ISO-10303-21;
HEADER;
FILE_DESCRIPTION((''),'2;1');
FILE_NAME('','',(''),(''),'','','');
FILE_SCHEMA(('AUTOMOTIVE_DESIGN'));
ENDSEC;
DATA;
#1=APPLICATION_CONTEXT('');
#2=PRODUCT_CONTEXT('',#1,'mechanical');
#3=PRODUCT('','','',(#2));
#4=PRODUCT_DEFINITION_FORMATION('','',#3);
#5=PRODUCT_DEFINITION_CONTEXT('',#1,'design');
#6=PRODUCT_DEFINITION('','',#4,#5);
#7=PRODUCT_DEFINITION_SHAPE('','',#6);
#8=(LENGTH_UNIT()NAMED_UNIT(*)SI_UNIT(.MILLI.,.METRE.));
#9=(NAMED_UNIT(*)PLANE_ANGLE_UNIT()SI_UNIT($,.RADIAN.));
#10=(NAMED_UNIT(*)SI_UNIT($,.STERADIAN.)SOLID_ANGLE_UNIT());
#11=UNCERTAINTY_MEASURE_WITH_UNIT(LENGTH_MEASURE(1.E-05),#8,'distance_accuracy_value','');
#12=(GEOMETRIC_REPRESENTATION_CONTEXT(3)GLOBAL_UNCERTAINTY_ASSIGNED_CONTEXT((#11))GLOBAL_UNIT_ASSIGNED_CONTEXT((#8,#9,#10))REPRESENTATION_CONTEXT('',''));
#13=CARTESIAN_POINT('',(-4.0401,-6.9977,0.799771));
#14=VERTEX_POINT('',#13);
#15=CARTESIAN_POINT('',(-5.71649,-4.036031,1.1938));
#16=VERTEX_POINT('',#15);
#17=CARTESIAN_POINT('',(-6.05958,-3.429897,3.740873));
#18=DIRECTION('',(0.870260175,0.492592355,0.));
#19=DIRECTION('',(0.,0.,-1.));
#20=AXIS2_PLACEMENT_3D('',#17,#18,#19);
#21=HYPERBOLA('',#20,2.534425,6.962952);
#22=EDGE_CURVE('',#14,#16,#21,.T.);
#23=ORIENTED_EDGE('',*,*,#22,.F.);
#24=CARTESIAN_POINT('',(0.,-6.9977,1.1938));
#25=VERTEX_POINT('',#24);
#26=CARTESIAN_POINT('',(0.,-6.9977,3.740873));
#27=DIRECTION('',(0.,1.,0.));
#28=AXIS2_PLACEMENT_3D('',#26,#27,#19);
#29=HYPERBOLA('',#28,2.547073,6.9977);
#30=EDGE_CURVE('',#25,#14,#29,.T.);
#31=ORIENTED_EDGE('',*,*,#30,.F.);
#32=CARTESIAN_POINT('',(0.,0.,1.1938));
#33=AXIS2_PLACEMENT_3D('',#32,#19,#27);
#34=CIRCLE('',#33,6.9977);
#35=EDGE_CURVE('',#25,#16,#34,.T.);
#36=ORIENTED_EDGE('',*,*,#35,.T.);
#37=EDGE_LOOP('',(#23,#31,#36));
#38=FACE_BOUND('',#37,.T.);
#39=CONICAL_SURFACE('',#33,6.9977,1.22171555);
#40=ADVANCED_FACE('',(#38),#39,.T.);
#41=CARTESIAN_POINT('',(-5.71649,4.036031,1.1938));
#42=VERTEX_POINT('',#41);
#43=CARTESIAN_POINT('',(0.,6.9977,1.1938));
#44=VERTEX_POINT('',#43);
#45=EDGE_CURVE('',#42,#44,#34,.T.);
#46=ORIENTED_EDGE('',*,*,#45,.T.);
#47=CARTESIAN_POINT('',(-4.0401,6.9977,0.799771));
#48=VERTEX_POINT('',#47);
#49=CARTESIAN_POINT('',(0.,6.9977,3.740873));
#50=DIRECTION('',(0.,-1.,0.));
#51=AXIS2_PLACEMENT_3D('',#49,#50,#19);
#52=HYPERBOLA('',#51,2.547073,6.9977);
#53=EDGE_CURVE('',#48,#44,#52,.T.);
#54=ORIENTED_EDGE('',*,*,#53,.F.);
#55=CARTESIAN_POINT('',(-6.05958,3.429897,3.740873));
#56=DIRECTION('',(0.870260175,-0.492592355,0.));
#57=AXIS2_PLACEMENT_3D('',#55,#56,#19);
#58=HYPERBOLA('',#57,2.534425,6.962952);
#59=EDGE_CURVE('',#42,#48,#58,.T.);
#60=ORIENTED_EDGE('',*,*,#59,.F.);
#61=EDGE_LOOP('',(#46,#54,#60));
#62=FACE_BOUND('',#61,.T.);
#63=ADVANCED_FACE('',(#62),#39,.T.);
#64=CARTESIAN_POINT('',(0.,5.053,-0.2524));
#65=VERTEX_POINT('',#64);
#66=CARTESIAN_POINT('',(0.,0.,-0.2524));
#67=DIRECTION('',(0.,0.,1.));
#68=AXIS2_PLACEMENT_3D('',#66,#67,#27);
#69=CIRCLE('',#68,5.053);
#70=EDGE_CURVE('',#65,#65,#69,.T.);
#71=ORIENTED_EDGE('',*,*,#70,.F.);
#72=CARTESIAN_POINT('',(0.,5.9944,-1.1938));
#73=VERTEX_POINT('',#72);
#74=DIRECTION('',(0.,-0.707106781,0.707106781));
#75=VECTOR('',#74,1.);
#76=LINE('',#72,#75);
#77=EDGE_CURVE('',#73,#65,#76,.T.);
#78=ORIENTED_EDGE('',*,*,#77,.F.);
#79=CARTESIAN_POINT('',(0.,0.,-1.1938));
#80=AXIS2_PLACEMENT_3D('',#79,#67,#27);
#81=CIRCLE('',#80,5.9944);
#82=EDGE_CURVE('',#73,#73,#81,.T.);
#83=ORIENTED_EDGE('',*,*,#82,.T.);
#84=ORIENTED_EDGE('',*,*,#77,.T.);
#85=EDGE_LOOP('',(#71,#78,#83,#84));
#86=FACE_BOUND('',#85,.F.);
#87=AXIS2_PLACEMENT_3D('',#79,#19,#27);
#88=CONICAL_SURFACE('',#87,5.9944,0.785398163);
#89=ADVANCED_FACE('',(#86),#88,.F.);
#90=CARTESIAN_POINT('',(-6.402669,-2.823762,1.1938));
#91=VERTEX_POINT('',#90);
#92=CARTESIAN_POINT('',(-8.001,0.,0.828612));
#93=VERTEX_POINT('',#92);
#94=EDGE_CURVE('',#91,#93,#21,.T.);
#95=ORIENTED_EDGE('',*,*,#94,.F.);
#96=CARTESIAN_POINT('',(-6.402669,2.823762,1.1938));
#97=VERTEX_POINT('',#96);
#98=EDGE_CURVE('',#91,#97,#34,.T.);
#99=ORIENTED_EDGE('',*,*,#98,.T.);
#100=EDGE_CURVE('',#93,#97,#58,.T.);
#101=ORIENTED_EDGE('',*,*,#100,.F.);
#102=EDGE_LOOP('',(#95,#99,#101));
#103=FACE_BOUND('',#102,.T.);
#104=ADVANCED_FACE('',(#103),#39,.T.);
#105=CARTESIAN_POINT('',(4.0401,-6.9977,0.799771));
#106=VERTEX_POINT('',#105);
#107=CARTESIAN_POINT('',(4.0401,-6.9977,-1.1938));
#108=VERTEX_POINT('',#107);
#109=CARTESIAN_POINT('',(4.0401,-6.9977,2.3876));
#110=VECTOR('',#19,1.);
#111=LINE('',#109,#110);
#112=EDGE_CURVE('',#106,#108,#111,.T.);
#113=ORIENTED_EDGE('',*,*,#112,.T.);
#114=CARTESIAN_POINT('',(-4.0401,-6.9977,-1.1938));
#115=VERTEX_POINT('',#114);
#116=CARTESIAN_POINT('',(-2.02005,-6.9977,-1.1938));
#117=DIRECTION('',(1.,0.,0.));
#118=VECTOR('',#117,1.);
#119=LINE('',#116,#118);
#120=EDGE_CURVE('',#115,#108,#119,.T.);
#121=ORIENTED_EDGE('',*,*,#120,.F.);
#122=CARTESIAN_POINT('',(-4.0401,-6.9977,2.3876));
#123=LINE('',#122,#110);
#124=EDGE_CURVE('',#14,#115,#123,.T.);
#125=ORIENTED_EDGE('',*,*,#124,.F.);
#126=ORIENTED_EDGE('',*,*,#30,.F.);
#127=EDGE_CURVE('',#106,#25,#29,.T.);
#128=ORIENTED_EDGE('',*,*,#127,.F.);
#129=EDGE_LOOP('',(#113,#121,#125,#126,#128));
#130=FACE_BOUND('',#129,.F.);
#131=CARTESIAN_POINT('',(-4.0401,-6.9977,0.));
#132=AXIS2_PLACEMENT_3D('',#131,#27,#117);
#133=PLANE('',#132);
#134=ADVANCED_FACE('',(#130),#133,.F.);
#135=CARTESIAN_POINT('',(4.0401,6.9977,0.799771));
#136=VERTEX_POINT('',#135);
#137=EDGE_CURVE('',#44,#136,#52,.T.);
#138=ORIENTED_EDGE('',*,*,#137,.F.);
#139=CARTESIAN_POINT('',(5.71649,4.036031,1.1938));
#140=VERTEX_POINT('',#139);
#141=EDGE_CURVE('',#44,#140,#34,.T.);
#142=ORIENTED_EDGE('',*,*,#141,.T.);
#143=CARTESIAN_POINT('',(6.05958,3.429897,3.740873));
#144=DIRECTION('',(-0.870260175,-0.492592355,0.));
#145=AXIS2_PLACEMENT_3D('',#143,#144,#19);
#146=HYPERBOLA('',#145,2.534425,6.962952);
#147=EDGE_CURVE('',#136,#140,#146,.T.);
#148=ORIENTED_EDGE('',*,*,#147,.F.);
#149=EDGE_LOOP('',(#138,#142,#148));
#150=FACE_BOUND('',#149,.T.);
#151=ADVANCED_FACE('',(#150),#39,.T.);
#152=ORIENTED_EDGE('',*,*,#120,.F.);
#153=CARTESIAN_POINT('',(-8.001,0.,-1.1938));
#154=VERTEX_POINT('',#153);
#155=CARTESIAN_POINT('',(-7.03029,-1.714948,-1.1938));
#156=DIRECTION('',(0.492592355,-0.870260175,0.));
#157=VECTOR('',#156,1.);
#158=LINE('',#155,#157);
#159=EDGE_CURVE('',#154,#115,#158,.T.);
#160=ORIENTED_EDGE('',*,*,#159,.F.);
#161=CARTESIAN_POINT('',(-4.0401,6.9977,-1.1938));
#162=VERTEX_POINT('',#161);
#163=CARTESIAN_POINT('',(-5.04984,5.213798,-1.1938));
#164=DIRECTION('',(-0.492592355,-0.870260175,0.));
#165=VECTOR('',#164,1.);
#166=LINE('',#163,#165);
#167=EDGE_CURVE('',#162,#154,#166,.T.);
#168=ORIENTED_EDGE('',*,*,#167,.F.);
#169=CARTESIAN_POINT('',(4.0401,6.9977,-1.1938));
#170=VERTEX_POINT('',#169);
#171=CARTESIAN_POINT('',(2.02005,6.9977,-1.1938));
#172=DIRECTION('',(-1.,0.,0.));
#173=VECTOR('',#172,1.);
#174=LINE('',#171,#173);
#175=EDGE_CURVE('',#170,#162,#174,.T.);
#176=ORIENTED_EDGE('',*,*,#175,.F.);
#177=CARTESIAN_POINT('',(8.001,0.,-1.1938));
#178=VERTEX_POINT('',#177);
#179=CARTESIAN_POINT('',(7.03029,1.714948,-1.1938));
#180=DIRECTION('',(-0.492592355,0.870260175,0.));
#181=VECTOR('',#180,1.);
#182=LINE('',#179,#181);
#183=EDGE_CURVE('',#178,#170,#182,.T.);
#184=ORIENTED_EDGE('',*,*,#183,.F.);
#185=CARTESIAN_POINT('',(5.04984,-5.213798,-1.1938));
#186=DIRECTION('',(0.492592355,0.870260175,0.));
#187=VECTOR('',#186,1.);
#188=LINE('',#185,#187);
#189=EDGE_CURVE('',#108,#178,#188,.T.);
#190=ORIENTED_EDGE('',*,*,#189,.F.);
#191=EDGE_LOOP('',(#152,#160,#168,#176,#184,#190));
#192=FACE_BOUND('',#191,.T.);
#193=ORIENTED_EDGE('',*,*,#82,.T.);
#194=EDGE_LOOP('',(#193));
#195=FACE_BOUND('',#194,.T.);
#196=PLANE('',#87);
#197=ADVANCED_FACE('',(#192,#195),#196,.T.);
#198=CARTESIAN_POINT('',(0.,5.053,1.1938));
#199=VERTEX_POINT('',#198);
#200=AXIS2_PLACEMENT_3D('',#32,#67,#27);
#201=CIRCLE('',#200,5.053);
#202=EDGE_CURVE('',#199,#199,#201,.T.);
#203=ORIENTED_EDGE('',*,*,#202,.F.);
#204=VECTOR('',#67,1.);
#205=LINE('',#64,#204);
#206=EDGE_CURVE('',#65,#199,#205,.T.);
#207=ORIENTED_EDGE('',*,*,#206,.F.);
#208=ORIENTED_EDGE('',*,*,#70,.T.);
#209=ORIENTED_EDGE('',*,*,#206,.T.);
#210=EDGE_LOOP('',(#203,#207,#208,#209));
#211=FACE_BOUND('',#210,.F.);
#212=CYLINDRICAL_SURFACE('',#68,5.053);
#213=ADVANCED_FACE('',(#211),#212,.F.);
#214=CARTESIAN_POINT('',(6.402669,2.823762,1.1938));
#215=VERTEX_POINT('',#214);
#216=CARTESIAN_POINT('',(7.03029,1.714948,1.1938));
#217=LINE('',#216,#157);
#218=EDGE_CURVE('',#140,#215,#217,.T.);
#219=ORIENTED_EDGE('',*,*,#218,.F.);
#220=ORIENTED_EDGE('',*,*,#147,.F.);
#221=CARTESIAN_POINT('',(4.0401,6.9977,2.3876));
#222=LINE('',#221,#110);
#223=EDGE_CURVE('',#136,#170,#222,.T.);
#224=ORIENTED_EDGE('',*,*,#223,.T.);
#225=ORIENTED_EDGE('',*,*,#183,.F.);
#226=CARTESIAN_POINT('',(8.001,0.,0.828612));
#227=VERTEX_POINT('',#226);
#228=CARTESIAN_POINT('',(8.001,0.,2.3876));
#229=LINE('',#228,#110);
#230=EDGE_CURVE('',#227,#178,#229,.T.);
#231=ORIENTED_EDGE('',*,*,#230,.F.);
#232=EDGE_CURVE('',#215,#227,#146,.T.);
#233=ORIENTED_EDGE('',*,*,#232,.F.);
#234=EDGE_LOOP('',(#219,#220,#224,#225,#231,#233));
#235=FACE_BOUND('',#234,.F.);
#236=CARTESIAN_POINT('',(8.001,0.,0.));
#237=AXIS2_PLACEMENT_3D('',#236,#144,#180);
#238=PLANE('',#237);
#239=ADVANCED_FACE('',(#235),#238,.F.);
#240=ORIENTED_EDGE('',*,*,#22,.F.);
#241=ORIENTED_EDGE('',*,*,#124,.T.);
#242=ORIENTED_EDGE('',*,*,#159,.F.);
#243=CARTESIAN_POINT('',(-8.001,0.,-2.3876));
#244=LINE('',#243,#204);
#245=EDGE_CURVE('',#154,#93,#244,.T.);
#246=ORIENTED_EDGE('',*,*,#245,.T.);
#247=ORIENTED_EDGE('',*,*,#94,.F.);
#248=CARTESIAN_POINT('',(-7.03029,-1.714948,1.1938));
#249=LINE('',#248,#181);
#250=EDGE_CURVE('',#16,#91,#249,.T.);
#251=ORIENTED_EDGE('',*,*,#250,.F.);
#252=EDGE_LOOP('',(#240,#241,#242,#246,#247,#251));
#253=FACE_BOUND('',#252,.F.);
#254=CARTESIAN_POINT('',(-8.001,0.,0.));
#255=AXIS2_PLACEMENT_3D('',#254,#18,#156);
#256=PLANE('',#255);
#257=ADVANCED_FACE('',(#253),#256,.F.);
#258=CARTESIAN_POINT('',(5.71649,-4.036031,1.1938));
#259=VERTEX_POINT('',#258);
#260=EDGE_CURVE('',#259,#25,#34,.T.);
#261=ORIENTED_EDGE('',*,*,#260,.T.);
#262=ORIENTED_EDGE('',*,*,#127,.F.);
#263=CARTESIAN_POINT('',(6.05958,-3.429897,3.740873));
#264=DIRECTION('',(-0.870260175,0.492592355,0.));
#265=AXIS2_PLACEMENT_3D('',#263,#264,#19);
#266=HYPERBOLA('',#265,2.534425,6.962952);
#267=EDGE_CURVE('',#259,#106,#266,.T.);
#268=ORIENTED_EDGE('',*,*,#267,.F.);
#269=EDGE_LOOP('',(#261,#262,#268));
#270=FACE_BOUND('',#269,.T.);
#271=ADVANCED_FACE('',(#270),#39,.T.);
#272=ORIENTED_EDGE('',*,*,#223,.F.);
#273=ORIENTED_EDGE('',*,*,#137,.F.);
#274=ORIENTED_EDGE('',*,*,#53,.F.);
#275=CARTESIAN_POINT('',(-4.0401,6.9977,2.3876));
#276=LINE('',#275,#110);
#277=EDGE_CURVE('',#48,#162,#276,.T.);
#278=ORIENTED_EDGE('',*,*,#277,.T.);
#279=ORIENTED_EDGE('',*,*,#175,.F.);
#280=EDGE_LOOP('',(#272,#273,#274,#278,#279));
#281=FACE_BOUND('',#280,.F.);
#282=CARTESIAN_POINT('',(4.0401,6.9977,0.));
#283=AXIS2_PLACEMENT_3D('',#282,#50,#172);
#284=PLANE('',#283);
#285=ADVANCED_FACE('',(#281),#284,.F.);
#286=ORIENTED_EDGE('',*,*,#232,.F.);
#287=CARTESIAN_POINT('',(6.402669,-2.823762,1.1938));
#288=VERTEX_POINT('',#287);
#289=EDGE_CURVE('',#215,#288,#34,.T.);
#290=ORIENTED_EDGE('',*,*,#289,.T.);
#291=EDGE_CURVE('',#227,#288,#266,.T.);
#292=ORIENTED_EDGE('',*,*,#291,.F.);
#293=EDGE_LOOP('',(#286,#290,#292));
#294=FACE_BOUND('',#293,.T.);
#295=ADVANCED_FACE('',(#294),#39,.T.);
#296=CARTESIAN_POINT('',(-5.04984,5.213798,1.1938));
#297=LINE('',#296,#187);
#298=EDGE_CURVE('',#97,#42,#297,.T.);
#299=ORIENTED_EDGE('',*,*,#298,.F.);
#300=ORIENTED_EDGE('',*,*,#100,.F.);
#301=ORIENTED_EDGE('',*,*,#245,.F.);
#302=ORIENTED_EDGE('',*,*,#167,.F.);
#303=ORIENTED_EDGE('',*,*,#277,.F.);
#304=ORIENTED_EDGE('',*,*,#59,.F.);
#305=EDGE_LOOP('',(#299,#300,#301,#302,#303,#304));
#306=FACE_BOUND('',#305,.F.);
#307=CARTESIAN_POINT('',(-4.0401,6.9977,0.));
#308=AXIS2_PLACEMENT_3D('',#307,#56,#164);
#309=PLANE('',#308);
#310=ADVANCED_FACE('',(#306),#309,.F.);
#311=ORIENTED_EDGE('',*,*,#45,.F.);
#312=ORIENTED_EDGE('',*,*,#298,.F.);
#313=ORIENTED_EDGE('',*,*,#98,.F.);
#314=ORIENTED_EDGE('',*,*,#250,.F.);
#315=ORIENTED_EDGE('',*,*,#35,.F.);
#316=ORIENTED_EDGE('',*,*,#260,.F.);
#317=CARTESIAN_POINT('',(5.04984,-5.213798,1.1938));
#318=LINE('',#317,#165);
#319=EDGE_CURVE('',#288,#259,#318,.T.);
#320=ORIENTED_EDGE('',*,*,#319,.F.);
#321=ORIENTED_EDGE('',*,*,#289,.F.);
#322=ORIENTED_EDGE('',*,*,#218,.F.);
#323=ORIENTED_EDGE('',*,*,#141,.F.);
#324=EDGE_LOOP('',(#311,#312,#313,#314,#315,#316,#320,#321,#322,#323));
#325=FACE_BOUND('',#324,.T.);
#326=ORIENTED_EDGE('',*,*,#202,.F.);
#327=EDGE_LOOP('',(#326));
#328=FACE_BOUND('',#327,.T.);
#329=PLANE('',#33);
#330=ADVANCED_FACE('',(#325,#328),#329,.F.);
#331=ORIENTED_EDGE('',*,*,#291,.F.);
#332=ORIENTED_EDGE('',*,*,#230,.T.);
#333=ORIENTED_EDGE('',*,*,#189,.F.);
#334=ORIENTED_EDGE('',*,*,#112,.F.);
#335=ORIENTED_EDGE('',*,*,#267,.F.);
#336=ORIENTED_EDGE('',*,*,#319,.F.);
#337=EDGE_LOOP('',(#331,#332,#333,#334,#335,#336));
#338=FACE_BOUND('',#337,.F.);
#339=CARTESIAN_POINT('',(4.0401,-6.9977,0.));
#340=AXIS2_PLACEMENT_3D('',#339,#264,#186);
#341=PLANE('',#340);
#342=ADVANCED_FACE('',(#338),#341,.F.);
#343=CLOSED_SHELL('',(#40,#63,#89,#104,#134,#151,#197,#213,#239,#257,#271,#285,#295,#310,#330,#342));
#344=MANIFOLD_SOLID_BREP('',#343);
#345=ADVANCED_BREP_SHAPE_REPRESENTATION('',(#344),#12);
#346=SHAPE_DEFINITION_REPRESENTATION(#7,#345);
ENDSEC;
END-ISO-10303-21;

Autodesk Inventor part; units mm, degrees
sketch "Sketch_1" plane through (0, 0, 0) normal (1, 0, 0) x (0, 1, 0)
  line L0 (0, -1.1938) -> (0, 1.1938)
  line L1 (0, 1.1938) -> (6.9977, 1.1938)
  line L2 (6.9977, 1.1938) -> (8.3972, 0.6844)
  line L3 (8.3972, 0.6844) -> (8.3972, -1.1938)
  line L4 (8.3972, -1.1938) -> (0, -1.1938)
  line L5 (0, -1.1938) -> (0, 1.1938)
revolve "Revolution1" add sketch "Sketch_1" angle 360 about axis through (0, 0, -1.1938) along (0, 0, -1)
sketch "Sketch_2" plane through (0, 0, 0) normal (0, 0, 1) x (1, 0, 0)
  line L0 (-13.9954, 13.9954) -> (-13.9954, -13.9954)
  line L1 (-13.9954, -13.9954) -> (13.9954, -13.9954)
  line L2 (13.9954, -13.9954) -> (13.9954, 13.9954)
  line L3 (13.9954, 13.9954) -> (-13.9954, 13.9954)
  line L4 (-8.001, 0) -> (-4.0401, -6.9977)
  line L5 (-4.0401, -6.9977) -> (4.0401, -6.9977)
  line L6 (4.0401, -6.9977) -> (8.001, 0)
  line L7 (8.001, 0) -> (4.0401, 6.9977)
  line L8 (4.0401, 6.9977) -> (-4.0401, 6.9977)
  line L9 (-4.0401, 6.9977) -> (-8.001, 0)
extrude "Extrusion1" cut sketch "Sketch_2" along normal mid plane 4.7752
sketch "Sketch3" plane through (4.0401, 6.9977, -1.1938) normal (0, 0, -1) x (-1, 0, 0)
  point P0 (4.0401, -6.9977)
hole "Drilling 1" at (0, 0, -1.1938) direction (0, 0, 1) diameter 10.106 depth 2.3876 countersink diameter 11.9888 countersink angle 90
ref_plane "nut_XY" through (0, 0, -1.1938) normal (0, 0, 1) x (1, 0, 0)
ref_plane "nut_YZ" through (0, 0, -1.1938) normal (1, 0, 0) x (0, 1, 0)
ref_plane "nut_ZX" through (0, 0, -1.1938) normal (0, 1, 0) x (0, 0, 1)
properties part number "AT503M"
